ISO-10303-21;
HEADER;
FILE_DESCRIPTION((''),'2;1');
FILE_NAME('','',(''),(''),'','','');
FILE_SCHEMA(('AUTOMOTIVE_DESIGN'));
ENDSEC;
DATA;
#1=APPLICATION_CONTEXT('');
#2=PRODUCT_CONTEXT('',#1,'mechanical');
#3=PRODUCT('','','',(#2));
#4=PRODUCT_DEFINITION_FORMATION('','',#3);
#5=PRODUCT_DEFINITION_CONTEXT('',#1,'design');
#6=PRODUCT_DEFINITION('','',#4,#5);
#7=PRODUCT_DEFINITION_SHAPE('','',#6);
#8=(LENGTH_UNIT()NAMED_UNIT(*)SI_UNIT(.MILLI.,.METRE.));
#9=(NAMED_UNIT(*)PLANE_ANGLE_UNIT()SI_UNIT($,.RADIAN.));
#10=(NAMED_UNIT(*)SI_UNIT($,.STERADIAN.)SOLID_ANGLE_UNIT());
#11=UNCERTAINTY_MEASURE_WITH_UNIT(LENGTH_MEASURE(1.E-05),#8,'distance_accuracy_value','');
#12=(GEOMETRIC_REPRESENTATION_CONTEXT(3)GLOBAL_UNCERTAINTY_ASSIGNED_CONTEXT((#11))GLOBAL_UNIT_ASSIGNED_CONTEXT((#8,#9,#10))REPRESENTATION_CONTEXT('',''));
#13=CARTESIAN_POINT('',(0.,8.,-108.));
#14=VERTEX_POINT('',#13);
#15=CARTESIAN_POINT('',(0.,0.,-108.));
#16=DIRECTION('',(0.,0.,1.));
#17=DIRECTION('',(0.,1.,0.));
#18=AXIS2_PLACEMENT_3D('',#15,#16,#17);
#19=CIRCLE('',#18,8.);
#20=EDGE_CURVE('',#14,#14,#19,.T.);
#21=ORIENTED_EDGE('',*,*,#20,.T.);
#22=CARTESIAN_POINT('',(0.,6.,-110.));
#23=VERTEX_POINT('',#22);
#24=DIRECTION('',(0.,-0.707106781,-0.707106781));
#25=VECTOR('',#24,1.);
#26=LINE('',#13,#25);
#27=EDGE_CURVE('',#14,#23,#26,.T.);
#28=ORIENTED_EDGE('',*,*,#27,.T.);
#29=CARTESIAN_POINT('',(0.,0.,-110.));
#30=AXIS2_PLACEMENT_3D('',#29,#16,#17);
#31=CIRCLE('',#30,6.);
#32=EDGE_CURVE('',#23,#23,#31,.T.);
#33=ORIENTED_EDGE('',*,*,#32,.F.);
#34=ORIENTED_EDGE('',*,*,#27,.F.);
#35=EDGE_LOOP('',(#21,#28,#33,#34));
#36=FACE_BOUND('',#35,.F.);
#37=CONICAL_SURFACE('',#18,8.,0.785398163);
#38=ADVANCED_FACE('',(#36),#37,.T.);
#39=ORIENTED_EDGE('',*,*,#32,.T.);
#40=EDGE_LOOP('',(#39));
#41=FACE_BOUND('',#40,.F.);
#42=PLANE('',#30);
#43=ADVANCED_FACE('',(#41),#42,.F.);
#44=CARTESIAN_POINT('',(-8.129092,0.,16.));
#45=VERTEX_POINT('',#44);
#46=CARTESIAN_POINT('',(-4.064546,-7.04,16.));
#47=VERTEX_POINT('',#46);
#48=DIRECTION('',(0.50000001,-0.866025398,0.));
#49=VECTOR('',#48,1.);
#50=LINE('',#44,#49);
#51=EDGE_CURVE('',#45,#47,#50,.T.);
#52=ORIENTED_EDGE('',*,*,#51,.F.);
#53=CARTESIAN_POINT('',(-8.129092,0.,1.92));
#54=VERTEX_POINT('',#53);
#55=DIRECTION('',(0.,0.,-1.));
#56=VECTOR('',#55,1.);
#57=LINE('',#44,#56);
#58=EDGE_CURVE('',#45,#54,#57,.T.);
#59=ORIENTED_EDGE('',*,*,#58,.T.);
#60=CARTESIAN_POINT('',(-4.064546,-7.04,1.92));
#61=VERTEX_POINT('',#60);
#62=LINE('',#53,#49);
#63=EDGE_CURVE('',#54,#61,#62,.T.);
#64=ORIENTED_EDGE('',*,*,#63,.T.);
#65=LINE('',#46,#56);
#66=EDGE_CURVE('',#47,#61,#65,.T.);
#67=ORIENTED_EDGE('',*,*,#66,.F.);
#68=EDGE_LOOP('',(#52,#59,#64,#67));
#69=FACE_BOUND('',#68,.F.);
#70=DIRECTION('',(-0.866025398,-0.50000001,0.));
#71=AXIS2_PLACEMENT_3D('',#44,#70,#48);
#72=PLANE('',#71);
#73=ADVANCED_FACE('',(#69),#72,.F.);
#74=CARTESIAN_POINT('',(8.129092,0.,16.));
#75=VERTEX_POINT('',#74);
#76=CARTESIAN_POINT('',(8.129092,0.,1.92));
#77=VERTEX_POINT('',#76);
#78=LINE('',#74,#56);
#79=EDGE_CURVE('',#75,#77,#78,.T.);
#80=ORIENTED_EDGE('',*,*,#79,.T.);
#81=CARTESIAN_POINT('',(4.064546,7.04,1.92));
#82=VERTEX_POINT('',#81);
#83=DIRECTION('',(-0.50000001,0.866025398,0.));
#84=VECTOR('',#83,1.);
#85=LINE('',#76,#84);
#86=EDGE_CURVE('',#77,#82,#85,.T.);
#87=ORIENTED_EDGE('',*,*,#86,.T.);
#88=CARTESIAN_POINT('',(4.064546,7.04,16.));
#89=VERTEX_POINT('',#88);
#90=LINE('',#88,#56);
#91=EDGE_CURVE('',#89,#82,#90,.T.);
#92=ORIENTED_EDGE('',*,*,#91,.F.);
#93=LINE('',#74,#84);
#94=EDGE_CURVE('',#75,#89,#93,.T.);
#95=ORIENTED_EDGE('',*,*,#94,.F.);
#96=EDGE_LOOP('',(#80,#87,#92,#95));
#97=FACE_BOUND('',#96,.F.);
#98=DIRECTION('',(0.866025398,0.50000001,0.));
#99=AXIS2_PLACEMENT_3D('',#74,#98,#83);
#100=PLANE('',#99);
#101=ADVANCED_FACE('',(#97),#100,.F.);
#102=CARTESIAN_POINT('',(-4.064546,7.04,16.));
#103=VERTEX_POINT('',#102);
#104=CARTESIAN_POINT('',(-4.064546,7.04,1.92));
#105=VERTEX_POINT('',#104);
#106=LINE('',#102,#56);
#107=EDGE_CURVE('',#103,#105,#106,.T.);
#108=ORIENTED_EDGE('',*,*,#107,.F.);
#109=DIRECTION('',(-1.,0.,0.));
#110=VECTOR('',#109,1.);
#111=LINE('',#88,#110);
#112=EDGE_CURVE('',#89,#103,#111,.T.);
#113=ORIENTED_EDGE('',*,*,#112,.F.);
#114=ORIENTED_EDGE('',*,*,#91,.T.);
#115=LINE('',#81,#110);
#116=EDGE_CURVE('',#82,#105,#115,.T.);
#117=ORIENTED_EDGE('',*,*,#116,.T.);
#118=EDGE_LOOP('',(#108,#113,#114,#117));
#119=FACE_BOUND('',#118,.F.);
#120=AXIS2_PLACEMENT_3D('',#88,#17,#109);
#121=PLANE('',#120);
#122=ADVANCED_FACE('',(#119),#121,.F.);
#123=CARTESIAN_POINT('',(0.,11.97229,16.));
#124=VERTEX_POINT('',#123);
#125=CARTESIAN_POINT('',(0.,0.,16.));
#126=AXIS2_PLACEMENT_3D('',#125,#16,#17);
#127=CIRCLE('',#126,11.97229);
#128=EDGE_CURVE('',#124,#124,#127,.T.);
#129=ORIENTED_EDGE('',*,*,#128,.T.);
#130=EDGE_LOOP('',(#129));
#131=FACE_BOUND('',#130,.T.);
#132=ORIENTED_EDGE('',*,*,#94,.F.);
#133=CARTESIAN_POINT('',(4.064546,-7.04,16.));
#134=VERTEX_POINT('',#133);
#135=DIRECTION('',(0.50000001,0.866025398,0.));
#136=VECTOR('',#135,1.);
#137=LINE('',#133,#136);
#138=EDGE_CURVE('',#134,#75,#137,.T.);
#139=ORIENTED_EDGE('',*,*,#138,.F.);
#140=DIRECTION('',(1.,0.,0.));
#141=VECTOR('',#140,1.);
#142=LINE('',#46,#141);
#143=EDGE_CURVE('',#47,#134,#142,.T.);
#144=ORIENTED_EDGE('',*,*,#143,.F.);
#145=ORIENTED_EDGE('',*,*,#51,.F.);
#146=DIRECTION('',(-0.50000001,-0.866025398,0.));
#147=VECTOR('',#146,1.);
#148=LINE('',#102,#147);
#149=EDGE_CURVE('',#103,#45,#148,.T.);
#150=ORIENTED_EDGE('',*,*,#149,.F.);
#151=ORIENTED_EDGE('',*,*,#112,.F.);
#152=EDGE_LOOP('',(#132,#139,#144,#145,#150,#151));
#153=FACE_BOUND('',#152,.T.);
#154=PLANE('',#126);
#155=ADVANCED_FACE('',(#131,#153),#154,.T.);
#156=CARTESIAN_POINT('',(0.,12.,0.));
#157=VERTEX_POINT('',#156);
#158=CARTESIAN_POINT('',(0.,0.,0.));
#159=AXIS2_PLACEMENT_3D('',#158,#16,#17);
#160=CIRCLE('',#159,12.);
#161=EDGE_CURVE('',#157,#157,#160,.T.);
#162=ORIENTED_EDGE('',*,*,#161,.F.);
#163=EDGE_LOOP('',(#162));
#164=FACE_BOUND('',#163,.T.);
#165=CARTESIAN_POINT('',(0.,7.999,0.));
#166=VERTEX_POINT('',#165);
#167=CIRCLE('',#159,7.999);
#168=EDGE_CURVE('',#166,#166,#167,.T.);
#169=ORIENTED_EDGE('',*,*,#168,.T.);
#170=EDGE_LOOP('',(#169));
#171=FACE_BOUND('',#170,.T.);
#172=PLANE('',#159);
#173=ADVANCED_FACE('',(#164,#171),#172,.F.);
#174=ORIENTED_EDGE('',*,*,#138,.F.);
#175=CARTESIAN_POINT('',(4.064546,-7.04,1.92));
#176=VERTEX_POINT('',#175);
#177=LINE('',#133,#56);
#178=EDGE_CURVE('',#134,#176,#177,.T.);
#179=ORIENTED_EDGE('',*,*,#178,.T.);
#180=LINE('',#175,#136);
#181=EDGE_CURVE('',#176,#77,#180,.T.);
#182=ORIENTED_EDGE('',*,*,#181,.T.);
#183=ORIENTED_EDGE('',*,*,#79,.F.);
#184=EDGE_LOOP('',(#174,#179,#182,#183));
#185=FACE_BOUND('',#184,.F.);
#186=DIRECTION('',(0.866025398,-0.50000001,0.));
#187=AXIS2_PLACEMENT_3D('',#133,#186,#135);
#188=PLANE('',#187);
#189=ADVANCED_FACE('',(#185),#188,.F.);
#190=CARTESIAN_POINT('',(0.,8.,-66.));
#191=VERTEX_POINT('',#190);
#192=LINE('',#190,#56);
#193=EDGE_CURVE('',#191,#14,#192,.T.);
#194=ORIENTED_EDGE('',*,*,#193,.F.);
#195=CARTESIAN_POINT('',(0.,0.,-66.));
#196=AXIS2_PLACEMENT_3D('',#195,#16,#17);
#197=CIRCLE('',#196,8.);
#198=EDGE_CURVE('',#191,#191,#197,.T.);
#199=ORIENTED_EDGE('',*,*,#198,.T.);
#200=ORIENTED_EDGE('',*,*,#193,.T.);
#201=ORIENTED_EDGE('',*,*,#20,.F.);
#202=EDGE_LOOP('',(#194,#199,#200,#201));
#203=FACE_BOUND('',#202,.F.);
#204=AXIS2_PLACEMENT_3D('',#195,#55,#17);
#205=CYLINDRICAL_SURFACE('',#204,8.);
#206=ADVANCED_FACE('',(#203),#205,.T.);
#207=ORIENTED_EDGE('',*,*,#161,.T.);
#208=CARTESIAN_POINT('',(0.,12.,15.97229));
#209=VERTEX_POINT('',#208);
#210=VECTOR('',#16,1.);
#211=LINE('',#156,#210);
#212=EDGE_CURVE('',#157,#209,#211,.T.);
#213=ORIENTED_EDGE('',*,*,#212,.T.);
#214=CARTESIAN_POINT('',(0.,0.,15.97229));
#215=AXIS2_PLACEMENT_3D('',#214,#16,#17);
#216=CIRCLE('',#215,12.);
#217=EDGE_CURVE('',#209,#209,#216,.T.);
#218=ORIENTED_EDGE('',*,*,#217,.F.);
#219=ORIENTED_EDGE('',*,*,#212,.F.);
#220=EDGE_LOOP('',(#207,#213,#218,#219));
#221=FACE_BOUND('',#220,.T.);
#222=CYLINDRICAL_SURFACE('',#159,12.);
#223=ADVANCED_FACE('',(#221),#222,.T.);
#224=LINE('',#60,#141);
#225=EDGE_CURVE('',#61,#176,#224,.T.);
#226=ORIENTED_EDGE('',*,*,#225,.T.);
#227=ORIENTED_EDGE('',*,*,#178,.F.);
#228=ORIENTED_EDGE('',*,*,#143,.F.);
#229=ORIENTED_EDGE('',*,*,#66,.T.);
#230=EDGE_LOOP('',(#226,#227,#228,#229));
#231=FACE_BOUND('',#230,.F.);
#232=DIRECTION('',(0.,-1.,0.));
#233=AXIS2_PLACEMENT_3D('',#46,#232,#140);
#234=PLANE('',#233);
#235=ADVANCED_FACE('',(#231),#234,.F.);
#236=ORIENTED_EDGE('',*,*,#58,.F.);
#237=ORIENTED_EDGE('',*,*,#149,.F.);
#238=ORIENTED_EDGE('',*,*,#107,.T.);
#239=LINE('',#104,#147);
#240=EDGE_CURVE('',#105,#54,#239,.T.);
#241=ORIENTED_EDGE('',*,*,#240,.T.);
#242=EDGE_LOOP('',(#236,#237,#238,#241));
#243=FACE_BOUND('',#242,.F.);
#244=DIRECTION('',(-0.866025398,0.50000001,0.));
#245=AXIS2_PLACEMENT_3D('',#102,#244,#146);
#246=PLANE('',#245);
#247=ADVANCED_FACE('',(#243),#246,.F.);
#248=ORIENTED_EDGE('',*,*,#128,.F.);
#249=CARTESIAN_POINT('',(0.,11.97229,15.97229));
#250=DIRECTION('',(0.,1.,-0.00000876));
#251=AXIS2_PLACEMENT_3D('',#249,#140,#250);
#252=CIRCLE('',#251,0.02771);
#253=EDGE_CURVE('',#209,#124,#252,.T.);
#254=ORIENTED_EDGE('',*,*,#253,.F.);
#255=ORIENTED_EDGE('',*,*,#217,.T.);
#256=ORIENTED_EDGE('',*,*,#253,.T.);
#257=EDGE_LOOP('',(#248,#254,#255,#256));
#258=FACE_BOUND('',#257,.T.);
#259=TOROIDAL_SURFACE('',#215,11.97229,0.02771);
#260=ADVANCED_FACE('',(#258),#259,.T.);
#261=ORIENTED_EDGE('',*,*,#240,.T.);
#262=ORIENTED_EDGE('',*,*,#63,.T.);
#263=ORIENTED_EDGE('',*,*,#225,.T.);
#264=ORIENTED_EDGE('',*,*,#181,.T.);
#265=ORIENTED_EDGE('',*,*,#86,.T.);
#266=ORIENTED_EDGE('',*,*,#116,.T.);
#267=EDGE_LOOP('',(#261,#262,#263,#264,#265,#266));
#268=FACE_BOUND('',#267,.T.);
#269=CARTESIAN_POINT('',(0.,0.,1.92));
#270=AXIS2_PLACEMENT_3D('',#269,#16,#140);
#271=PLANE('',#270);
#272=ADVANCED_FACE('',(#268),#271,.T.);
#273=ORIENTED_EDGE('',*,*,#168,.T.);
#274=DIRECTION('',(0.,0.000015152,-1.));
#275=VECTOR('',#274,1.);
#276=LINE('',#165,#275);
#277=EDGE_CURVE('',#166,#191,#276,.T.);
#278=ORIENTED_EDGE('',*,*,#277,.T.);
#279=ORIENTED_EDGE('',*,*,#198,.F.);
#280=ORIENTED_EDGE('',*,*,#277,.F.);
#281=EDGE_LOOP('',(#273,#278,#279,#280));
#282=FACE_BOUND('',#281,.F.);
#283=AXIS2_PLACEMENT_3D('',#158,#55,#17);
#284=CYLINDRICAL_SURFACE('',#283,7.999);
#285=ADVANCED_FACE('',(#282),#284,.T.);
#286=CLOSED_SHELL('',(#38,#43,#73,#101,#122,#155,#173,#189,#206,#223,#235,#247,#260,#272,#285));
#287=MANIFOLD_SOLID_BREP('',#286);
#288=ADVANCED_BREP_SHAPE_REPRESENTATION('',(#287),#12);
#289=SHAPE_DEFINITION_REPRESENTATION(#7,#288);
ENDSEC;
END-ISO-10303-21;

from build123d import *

# Parameters (mm, degrees)
POCKET_DEPTH = 14.08


with BuildPart() as part:
    # Sketch → Revolve (revolve)
    with BuildSketch(Plane.YZ):
        with BuildLine():
            Line((7.999, 0), (12, 0))
            Line((12, 0), (12, 15.97229))
            ThreePointArc((12, 15.97229), (11.991884, 15.991884), (11.97229, 16))
            Line((11.97229, 16), (0, 16))
            Line((0, -110), (0, 16))
            Line((6, -110), (0, -110))
            Line((8, -108), (6, -110))
            Line((8, -66), (8, -108))
            Line((7.999, 0), (8, -66))
        make_face()
    revolve(axis=Axis((0, 0, 0), (0, 0, 1)))

    # Sketch001 → Pocket (cut)
    with BuildSketch(Plane.XY.offset(16)):
        Polygon((8.129092, 0), (4.064546, 7.04), (-4.064546, 7.04), (-8.129092, 0), (-4.064546, -7.04), (4.064546, -7.04), align=None)
    extrude(amount=-POCKET_DEPTH, mode=Mode.SUBTRACT)


solid = part.part
